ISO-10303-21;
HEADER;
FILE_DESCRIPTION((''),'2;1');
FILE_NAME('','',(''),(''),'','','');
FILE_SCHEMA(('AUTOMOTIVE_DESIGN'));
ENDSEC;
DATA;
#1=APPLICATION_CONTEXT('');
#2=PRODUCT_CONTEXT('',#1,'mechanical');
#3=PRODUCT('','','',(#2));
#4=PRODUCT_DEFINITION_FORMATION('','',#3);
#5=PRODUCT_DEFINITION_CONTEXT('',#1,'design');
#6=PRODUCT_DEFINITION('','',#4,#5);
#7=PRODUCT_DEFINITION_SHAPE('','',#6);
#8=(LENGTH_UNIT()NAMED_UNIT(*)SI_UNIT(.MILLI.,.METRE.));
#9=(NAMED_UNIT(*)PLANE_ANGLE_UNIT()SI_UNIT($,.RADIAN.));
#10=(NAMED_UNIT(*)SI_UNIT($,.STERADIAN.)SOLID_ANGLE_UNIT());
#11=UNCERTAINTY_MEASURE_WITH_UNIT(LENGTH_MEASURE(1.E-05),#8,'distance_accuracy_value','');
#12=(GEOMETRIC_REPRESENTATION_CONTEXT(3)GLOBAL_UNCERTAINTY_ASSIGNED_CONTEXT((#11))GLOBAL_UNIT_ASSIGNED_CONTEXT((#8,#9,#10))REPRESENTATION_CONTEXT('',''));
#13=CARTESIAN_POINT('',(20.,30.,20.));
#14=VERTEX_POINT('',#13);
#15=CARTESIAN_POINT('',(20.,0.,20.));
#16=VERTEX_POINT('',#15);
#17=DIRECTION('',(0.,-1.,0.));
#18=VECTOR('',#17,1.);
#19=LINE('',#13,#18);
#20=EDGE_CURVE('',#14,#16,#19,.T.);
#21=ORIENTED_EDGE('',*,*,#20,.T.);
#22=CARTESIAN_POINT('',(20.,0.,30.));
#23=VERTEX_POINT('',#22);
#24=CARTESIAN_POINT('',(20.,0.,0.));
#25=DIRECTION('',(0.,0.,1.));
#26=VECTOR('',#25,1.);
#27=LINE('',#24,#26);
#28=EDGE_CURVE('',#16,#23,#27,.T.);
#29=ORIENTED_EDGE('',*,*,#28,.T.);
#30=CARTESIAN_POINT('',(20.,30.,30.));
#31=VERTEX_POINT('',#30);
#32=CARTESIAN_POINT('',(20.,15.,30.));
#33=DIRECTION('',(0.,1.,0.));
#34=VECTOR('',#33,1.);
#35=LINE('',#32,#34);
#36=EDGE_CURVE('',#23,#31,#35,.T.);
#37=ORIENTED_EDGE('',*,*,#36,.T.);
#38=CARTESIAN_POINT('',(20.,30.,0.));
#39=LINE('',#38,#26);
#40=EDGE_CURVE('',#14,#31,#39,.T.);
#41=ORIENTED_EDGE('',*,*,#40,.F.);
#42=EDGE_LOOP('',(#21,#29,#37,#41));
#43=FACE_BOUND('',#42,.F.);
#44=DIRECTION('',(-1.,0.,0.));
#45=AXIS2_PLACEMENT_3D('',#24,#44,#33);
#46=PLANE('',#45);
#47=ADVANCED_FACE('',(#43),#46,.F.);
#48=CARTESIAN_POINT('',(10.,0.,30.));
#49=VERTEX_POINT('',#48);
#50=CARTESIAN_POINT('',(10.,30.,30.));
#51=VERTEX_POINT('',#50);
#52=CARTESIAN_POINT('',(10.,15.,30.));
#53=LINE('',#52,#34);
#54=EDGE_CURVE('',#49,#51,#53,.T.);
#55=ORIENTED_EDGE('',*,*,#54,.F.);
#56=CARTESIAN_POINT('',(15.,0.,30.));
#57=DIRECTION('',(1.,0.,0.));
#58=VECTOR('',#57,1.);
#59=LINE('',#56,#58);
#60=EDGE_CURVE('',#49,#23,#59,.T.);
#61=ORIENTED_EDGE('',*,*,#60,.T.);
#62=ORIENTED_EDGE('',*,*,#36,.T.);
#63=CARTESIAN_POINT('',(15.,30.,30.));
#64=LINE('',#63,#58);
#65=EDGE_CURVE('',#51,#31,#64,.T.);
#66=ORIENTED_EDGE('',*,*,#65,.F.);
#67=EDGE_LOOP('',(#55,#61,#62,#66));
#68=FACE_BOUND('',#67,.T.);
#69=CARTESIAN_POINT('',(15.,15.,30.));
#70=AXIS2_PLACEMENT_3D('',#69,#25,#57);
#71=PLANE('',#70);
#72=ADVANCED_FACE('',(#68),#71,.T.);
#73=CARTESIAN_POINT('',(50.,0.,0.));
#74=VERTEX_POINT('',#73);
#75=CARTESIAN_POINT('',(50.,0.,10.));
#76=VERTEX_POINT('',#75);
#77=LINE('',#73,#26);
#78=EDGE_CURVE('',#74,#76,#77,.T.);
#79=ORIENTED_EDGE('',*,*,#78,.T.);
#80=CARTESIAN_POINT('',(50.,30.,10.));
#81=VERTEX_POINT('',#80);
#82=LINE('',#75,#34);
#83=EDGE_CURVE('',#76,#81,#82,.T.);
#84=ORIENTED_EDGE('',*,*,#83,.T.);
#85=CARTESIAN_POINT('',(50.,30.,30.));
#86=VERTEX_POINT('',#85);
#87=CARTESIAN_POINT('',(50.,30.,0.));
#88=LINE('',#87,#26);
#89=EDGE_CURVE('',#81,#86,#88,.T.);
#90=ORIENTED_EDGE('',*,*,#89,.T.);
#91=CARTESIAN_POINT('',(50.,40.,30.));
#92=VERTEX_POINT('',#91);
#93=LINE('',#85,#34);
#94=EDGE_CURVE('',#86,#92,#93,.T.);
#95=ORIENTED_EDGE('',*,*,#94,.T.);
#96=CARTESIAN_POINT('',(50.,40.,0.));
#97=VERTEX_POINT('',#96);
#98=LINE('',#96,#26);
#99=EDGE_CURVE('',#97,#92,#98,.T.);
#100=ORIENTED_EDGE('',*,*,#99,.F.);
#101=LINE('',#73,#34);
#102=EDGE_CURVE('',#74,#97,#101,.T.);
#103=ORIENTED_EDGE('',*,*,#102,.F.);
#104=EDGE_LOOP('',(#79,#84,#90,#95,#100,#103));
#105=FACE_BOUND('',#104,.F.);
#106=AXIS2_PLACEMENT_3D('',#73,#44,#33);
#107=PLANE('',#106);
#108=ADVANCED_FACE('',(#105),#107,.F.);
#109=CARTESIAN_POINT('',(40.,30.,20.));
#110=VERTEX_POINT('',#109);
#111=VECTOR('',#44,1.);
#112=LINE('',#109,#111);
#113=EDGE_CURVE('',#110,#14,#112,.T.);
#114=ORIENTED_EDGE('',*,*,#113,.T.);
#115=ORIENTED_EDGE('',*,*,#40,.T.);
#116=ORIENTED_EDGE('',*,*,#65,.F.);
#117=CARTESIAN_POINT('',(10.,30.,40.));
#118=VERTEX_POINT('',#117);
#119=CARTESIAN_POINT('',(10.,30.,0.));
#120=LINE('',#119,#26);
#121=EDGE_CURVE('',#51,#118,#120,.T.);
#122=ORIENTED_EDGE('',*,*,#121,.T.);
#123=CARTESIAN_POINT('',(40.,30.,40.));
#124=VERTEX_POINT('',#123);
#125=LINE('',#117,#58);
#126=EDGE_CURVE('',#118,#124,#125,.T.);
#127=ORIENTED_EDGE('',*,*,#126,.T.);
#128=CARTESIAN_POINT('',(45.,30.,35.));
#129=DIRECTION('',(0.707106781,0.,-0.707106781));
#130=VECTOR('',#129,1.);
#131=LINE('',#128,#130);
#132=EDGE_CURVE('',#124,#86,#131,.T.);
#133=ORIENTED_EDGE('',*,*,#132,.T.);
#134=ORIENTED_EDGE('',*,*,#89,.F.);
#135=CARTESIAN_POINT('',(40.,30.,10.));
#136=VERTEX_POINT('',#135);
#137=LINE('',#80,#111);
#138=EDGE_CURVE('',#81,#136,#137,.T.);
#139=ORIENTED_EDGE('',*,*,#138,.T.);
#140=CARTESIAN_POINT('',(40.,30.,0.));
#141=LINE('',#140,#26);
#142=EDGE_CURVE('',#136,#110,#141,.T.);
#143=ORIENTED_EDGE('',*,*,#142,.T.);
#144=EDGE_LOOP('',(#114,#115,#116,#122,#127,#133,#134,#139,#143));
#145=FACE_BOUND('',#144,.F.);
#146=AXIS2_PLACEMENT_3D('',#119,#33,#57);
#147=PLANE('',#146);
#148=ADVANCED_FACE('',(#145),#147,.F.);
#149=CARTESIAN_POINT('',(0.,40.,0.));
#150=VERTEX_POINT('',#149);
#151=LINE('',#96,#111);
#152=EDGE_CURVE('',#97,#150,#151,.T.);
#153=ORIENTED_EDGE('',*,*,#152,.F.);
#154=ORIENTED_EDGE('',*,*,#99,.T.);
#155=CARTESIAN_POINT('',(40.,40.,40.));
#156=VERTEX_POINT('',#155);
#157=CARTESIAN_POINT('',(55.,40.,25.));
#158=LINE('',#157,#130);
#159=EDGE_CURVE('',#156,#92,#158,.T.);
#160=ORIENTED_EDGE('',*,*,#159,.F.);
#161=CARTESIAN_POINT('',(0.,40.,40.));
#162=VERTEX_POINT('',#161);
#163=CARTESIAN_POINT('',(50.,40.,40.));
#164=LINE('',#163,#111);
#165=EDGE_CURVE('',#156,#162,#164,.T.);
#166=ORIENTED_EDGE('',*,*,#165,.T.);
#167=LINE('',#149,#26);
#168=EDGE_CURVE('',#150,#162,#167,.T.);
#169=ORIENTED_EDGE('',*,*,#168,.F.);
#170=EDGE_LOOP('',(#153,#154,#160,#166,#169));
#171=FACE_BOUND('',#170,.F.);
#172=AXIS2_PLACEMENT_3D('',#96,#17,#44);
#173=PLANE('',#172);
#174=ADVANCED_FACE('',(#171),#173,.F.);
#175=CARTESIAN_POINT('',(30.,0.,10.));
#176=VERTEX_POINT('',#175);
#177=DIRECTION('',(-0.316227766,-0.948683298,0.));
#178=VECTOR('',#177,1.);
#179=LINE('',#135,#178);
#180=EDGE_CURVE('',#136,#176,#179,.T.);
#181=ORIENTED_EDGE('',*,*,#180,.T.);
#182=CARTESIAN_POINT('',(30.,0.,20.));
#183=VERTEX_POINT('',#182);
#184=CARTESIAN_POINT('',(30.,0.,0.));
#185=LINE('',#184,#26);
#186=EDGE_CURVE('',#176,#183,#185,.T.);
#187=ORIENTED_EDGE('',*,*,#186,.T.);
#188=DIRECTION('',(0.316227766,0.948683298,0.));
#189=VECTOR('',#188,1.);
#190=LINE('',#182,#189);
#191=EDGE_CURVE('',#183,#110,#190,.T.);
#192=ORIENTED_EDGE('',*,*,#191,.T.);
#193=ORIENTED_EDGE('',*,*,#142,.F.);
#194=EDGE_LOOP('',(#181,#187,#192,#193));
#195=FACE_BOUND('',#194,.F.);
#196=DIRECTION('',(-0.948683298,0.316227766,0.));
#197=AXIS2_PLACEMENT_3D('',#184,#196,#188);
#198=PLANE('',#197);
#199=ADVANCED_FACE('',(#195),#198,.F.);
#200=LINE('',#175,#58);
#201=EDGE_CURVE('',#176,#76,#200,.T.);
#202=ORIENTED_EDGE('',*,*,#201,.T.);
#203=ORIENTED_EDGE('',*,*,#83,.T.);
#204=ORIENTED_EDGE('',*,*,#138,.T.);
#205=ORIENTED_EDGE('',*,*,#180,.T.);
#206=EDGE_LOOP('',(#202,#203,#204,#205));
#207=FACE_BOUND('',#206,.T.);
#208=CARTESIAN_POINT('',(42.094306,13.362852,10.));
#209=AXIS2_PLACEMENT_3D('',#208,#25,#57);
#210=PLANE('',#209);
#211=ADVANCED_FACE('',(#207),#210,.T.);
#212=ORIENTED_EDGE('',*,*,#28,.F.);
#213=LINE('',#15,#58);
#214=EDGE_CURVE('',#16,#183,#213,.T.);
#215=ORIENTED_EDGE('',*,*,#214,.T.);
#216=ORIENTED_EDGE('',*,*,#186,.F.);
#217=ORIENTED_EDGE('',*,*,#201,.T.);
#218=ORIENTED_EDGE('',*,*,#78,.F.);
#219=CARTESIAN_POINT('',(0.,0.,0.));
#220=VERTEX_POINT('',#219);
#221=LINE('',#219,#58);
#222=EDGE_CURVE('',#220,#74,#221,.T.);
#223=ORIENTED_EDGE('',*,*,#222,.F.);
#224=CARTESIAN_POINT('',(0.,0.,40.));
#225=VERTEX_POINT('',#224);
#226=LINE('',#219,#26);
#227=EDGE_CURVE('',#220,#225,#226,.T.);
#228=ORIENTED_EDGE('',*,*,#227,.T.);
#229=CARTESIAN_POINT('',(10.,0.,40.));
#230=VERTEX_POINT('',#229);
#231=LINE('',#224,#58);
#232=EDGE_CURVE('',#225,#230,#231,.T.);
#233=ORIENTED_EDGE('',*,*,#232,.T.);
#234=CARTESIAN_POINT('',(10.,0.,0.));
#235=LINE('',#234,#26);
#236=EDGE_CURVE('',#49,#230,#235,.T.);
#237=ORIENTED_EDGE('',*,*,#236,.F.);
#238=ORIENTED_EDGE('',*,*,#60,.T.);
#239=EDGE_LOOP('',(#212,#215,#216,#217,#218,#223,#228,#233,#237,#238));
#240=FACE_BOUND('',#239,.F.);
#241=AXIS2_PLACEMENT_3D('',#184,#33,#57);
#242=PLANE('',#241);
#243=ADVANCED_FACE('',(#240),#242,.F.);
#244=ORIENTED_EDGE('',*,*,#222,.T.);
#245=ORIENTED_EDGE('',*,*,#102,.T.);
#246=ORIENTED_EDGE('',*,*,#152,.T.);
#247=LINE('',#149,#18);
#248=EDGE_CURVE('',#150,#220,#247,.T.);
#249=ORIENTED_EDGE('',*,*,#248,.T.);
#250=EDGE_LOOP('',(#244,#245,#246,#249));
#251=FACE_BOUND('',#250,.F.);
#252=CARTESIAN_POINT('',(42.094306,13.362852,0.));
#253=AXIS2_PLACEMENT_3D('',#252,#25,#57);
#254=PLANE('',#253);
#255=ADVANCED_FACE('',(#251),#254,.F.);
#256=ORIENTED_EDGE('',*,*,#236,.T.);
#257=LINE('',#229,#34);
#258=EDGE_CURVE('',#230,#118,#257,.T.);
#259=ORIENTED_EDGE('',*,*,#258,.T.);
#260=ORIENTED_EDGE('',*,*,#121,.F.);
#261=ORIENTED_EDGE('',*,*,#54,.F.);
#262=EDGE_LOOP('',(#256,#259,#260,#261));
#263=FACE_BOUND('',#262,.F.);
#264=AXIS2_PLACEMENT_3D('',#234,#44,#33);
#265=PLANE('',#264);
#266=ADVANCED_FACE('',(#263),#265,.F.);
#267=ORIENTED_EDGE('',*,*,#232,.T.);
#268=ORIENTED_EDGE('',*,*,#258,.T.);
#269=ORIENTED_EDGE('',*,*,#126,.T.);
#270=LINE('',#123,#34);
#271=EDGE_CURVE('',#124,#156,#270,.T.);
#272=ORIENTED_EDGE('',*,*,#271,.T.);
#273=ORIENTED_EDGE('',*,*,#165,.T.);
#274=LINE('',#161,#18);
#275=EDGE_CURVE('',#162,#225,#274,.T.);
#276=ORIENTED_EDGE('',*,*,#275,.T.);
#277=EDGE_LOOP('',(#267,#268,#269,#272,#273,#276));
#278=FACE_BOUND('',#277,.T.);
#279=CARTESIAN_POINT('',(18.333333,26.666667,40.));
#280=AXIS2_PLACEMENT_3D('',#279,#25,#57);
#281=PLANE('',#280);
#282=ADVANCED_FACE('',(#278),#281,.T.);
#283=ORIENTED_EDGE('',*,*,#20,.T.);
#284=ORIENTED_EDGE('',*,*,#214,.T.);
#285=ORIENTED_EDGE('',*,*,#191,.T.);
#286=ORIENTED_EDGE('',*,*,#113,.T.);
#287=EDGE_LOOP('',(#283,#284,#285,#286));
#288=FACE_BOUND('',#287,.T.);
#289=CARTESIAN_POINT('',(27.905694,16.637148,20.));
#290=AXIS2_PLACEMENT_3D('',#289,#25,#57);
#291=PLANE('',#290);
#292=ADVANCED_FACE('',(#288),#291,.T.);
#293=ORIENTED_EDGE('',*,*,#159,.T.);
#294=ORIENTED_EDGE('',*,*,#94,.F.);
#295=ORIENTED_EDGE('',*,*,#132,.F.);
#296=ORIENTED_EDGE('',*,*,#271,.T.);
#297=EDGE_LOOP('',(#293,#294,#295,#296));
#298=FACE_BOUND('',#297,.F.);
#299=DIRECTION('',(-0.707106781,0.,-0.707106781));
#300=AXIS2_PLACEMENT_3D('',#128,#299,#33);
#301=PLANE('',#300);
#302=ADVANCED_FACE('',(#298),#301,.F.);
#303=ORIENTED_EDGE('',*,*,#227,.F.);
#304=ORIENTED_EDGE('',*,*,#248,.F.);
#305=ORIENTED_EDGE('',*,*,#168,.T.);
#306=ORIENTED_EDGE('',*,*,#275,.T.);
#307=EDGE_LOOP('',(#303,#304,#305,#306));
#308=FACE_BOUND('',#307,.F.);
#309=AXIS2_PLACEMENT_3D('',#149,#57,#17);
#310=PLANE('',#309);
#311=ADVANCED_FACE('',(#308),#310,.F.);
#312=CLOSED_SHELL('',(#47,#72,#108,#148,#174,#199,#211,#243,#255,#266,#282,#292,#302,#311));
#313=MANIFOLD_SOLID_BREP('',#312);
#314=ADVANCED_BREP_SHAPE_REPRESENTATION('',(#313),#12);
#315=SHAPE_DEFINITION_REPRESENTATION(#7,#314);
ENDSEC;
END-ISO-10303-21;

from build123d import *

# Parameters (mm, degrees)
F1_DEPTH = 40
F0_W     = 10
F0_H     = 30
F2_DEPTH = 30
F3_DEPTH = 20
F4_DEPTH = 10
F5_SIZE  = 10


with BuildPart() as f1:
    # F0 (on Top) → F1 (new body)
    with BuildSketch(Plane.XY):
        Polygon((0, 40), (0, 0), (10, 0), (10, 30), (20, 30), (40, 30), (50, 30), (50, 40), align=None)
    extrude(amount=F1_DEPTH)

    # F0 (on Top) → F2 (join)
    with BuildSketch(Plane.XY):
        with Locations((15, 15)):
            Rectangle(F0_W, F0_H)
    extrude(amount=F2_DEPTH)

    # F0 (on Top) → F3 (join)
    with BuildSketch(Plane.XY):
        Polygon((20, 30), (20, 0), (30, 0), (40, 30), align=None)
    extrude(amount=F3_DEPTH)

    # F0 (on Top) → F4 (join)
    with BuildSketch(Plane.XY):
        Polygon((40, 30), (30, 0), (50, 0), (50, 30), align=None)
    extrude(amount=F4_DEPTH)

    # F5
    f5_edges = [f1.edges().sort_by_distance(p)[0] for p in [
        (50, 35, 40),
    ]]
    chamfer(f5_edges, length=F5_SIZE)


solid = f1.part
